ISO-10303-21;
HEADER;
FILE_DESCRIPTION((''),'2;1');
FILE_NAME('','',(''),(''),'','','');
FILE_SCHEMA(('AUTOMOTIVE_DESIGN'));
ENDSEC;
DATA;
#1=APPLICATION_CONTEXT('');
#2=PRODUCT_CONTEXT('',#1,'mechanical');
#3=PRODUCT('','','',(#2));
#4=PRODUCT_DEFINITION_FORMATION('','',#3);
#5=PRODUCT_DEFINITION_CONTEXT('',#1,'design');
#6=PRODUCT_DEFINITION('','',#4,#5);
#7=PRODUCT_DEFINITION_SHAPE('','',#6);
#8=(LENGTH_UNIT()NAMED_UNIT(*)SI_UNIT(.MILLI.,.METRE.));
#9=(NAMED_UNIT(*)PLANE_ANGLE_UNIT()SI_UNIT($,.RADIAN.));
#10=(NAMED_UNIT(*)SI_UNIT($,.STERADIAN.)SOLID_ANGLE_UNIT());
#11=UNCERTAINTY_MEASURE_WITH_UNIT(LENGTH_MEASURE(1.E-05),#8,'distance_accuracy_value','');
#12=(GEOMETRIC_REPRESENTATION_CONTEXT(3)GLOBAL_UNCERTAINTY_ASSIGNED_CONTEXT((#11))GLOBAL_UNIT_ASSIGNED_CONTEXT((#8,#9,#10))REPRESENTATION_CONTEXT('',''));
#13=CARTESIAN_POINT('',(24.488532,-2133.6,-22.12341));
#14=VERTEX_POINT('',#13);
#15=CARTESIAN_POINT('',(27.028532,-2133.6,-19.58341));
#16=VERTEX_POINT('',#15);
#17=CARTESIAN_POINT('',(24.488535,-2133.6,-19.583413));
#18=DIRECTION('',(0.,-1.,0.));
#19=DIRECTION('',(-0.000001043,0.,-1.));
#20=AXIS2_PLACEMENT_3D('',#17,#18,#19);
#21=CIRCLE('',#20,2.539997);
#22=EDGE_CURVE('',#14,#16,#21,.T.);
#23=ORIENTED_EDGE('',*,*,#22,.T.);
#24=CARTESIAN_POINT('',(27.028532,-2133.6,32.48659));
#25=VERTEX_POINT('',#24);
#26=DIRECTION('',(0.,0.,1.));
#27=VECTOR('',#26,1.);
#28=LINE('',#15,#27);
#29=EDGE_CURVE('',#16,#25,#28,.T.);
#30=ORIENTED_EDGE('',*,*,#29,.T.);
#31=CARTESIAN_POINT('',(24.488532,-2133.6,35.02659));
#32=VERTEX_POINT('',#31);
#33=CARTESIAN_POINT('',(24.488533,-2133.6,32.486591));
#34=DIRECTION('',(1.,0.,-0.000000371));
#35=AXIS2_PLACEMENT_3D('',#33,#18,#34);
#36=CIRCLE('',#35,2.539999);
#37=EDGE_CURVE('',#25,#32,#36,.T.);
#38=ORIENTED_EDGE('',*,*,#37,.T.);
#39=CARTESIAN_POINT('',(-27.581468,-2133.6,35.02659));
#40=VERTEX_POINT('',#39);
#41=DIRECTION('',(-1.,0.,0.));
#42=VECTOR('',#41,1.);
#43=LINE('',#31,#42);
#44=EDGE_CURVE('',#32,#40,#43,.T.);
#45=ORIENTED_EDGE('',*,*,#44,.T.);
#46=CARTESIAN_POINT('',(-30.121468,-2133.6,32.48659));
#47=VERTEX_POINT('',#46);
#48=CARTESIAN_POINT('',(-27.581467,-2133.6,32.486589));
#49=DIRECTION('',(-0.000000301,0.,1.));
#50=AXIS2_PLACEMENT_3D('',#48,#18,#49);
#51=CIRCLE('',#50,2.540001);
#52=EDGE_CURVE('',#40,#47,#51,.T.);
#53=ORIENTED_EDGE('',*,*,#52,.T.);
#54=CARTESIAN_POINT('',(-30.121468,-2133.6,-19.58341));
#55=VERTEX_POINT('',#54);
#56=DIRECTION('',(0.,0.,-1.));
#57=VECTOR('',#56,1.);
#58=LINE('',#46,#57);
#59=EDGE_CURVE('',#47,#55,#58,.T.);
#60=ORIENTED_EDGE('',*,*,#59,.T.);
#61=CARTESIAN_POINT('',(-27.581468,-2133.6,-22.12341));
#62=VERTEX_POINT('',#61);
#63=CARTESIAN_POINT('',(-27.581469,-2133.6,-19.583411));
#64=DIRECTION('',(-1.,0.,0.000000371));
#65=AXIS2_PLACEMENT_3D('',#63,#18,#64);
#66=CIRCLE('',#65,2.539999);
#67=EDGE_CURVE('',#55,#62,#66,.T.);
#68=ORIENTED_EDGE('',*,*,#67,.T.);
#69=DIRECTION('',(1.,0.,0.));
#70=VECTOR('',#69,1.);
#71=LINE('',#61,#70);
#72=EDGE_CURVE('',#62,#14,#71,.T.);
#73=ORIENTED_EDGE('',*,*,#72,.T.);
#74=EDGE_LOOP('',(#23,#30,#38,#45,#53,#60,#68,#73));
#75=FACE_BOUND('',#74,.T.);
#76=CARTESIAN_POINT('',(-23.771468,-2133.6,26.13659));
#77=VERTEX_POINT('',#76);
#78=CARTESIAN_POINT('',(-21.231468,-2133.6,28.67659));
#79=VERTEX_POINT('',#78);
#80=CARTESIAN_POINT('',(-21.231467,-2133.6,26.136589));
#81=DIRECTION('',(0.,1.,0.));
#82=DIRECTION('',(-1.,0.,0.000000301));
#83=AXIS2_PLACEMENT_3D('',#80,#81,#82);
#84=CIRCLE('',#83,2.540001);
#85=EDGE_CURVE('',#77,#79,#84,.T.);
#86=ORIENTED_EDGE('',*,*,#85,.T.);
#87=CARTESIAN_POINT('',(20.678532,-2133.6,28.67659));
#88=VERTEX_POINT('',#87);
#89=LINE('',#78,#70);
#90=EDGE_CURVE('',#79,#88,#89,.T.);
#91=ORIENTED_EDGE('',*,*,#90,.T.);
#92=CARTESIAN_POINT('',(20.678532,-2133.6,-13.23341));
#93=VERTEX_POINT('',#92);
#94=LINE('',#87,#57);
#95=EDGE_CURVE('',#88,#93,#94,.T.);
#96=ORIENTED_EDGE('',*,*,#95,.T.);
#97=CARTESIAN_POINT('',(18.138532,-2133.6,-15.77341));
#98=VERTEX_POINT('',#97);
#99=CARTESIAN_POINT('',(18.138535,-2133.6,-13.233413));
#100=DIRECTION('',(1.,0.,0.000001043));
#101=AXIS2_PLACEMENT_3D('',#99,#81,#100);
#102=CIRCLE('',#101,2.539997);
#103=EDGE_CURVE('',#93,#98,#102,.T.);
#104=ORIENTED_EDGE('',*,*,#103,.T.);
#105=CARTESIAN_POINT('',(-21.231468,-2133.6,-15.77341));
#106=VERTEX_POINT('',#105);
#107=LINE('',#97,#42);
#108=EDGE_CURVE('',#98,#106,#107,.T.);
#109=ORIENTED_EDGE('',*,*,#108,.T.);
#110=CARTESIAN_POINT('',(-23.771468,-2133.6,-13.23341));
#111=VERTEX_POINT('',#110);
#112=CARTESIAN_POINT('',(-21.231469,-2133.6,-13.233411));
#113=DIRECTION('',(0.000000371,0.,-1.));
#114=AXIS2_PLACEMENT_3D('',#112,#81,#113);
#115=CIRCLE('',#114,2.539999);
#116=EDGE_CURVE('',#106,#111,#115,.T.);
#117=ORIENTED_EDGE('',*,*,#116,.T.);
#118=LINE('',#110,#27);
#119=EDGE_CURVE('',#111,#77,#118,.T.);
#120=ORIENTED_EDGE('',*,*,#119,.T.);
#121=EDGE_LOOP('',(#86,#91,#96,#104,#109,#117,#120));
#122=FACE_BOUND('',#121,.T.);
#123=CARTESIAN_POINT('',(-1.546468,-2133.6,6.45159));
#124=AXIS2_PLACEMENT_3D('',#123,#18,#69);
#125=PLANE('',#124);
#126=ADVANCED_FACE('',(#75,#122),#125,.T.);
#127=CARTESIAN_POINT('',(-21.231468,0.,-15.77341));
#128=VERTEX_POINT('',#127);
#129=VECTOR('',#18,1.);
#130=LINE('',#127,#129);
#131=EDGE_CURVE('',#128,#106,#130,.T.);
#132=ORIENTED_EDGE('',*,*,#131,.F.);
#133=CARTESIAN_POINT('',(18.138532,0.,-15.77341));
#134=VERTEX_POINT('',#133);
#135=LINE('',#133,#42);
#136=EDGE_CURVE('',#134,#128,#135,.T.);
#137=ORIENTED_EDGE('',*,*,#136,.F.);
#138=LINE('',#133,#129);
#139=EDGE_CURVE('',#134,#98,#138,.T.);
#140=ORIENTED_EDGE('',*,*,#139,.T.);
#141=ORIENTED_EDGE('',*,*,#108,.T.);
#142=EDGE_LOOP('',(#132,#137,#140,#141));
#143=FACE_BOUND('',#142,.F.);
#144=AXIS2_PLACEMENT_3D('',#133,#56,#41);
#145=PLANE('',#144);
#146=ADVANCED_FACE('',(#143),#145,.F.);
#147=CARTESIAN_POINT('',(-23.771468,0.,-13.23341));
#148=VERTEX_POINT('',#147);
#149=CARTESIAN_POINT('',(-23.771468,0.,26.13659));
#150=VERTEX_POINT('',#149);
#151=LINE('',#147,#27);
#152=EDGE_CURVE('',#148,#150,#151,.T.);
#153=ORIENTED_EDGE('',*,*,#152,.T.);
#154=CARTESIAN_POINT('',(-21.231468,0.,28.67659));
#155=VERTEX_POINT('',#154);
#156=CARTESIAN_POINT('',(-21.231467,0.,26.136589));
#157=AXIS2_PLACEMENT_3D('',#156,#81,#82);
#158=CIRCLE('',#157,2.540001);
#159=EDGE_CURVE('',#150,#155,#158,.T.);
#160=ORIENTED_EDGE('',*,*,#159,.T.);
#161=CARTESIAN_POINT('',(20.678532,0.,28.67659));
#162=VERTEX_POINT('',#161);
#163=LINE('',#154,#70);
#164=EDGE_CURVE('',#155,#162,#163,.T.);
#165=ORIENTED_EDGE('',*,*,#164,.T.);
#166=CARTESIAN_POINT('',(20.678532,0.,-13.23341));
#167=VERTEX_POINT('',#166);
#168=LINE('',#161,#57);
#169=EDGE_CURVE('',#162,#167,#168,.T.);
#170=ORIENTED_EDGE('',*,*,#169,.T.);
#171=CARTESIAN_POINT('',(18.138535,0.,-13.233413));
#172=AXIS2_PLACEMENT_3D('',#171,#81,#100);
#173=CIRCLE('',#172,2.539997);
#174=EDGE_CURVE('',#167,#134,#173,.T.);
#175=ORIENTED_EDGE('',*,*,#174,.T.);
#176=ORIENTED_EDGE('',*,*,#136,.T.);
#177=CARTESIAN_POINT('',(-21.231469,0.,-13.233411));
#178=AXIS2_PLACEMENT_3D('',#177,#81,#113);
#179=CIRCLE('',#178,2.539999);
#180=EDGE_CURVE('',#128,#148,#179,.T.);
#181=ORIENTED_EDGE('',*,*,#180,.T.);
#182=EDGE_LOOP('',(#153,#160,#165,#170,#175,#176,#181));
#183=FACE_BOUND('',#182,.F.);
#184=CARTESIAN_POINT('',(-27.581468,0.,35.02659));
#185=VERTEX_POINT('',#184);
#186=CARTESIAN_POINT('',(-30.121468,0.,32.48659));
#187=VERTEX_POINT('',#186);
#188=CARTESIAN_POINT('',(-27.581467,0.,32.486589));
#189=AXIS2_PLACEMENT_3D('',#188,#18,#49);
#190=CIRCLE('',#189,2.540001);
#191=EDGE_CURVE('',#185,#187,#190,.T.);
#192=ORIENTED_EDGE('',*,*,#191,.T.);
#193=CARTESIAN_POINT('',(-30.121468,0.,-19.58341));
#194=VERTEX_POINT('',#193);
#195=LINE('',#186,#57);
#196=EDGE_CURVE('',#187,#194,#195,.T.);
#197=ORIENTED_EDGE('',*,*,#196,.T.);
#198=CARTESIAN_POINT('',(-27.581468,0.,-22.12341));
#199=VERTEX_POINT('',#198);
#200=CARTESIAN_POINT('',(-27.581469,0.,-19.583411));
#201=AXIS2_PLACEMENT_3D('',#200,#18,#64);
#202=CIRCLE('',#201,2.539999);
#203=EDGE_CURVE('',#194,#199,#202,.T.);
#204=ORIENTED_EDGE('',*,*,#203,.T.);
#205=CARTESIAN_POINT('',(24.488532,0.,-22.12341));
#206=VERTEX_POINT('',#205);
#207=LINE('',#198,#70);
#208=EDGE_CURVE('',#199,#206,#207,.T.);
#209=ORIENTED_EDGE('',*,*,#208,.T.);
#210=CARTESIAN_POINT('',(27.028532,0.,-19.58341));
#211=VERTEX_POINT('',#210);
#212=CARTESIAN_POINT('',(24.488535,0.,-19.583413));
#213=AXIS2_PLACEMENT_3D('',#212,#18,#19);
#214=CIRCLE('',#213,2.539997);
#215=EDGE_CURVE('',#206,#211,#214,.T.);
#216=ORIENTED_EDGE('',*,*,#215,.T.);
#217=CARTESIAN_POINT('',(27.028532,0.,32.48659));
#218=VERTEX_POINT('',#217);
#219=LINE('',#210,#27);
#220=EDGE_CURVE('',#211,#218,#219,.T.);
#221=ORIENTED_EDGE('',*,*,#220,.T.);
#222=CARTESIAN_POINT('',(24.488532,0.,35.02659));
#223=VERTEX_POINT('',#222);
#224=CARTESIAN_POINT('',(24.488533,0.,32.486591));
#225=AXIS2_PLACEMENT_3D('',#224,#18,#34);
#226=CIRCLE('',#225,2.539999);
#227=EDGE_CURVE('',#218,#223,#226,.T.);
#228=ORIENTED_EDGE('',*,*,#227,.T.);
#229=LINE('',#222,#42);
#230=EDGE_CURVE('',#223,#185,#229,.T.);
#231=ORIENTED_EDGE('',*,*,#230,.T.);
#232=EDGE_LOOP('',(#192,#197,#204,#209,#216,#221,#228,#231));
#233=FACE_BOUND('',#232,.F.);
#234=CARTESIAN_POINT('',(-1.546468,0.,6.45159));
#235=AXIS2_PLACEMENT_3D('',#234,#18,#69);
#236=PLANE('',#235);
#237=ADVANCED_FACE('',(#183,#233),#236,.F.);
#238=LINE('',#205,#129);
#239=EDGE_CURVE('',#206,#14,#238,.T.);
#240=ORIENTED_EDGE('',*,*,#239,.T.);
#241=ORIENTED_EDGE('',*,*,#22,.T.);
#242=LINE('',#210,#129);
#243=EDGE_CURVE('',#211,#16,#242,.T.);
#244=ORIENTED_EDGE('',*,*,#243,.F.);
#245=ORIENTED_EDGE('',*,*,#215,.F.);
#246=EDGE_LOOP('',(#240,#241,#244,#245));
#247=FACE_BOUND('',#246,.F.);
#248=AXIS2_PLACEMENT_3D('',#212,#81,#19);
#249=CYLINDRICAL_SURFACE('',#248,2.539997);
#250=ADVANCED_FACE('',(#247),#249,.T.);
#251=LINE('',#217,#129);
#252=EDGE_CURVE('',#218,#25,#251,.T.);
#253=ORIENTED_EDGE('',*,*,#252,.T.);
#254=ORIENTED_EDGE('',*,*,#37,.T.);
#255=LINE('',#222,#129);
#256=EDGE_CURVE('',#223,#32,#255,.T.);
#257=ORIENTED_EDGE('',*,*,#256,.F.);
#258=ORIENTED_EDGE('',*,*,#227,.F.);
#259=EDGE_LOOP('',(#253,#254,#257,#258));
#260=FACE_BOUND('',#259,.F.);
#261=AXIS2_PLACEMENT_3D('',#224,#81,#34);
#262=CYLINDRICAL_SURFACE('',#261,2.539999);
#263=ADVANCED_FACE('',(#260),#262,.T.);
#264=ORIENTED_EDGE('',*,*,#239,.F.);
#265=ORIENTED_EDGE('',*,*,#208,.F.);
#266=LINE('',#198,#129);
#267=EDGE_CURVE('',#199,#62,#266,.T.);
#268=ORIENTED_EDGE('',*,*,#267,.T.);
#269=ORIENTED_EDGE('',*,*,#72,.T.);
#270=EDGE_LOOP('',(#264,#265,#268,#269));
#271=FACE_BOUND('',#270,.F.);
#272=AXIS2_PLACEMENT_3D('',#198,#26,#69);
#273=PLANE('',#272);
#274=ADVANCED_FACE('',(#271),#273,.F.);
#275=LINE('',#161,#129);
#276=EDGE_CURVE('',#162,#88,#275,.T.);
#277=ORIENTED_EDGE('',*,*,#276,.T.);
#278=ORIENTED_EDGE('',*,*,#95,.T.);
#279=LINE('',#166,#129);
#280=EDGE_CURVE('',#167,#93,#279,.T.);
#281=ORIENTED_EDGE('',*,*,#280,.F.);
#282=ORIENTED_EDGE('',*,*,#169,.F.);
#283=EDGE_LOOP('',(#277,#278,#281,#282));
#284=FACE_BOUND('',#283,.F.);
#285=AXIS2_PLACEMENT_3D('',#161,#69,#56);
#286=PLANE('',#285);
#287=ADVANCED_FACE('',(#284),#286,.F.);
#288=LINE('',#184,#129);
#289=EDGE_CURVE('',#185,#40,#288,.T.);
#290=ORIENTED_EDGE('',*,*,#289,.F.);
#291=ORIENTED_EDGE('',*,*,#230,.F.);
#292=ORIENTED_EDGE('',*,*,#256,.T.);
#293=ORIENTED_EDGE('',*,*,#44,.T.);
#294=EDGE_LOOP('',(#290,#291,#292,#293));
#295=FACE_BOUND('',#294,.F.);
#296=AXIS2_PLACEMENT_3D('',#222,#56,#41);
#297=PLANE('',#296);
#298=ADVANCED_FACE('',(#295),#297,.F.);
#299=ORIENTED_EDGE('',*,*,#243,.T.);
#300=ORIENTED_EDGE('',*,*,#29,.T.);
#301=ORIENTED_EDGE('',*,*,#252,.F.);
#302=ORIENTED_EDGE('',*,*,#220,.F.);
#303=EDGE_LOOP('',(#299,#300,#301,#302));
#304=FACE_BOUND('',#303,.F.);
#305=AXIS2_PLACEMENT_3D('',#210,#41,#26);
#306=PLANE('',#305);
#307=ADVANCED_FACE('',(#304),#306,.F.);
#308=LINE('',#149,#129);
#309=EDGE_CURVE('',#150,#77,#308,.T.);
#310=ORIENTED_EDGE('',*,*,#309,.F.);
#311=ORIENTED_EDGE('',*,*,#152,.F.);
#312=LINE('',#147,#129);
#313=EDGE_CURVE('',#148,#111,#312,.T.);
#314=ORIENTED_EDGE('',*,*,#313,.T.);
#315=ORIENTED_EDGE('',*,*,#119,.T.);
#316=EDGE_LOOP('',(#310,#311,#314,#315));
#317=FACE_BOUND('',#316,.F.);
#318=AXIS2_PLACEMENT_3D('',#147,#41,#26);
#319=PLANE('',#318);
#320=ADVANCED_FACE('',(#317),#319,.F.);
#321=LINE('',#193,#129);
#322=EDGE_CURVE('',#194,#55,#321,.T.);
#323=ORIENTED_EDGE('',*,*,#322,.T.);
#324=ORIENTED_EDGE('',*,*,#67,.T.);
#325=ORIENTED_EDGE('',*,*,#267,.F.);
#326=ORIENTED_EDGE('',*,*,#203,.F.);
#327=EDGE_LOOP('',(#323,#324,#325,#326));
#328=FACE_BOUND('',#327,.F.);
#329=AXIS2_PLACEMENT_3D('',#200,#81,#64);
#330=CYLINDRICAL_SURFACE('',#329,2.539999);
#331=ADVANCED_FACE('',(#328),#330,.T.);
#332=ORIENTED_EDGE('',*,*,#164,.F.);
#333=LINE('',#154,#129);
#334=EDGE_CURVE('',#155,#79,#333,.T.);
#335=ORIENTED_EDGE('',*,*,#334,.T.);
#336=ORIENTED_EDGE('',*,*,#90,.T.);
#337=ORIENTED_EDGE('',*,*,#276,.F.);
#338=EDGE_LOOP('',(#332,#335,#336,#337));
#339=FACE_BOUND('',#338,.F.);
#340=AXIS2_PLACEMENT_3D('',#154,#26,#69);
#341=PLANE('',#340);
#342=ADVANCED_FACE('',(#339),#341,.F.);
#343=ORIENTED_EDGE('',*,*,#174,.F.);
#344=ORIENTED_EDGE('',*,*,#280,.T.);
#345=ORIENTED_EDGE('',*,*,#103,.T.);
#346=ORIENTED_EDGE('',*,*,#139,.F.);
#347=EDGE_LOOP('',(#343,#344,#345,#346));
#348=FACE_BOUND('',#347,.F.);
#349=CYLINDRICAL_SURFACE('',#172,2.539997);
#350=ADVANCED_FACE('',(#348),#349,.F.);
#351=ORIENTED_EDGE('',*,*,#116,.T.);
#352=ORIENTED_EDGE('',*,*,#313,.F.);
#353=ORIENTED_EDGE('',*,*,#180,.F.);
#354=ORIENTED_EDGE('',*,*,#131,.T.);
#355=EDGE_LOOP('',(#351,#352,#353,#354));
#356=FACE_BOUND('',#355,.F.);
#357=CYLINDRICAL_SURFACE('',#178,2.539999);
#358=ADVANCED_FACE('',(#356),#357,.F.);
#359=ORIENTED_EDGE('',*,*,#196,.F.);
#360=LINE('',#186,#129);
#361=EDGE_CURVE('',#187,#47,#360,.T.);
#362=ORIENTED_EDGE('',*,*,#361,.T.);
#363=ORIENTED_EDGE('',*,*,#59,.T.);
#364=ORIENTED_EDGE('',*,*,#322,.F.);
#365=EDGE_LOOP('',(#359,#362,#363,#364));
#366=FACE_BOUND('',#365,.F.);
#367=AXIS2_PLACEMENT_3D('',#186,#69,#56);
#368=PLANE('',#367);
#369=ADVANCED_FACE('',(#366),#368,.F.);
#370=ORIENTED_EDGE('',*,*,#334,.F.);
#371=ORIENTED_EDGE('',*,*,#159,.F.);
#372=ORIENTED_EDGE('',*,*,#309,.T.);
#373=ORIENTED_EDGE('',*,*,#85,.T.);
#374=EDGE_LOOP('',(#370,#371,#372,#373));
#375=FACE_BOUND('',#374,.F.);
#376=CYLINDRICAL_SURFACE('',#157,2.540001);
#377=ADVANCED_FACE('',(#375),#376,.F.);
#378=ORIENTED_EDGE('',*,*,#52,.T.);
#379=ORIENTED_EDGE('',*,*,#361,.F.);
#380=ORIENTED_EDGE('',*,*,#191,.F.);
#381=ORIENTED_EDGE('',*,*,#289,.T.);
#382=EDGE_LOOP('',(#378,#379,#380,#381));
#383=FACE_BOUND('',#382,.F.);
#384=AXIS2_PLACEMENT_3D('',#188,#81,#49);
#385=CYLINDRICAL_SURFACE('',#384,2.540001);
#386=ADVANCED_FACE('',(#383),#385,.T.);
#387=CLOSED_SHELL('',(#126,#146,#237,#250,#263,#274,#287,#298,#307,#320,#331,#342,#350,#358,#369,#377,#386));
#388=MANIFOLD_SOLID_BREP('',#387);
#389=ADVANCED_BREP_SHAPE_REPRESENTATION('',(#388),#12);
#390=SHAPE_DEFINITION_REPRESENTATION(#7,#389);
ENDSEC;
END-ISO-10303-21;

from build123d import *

# Parameters (mm, degrees)
F1_DEPTH = 2133.6


with BuildPart() as f1:
    # F0 (on Front) → F1 (new body)
    with BuildSketch(Plane.XZ):
        with BuildLine():
            Line((24.488532, 35.02659), (-27.581468, 35.02659))
            ThreePointArc((-27.581468, 35.02659), (-29.377519, 34.282641), (-30.121468, 32.48659))
            Line((-30.121468, 32.48659), (-30.121468, -19.58341))
            ThreePointArc((-30.121468, -19.58341), (-29.377519, -21.379462), (-27.581468, -22.12341))
            Line((-27.581468, -22.12341), (24.488532, -22.12341))
            ThreePointArc((24.488532, -22.12341), (26.284584, -21.379462), (27.028532, -19.58341))
            Line((27.028532, -19.58341), (27.028532, 32.48659))
            ThreePointArc((27.028532, 32.48659), (26.284584, 34.282641), (24.488532, 35.02659))
        make_face()
        with BuildLine():
            ThreePointArc((-23.771468, 26.13659), (-23.027519, 27.932641), (-21.231468, 28.67659))
            Line((-21.231468, 28.67659), (20.678532, 28.67659))
            Line((20.678532, 28.67659), (20.678532, -13.23341))
            ThreePointArc((20.678532, -13.23341), (19.934584, -15.029462), (18.138532, -15.77341))
            Line((18.138532, -15.77341), (-21.231468, -15.77341))
            ThreePointArc((-21.231468, -15.77341), (-23.027519, -15.029462), (-23.771468, -13.23341))
            Line((-23.771468, -13.23341), (-23.771468, 26.13659))
        make_face(mode=Mode.SUBTRACT)
    extrude(amount=F1_DEPTH)


solid = f1.part
